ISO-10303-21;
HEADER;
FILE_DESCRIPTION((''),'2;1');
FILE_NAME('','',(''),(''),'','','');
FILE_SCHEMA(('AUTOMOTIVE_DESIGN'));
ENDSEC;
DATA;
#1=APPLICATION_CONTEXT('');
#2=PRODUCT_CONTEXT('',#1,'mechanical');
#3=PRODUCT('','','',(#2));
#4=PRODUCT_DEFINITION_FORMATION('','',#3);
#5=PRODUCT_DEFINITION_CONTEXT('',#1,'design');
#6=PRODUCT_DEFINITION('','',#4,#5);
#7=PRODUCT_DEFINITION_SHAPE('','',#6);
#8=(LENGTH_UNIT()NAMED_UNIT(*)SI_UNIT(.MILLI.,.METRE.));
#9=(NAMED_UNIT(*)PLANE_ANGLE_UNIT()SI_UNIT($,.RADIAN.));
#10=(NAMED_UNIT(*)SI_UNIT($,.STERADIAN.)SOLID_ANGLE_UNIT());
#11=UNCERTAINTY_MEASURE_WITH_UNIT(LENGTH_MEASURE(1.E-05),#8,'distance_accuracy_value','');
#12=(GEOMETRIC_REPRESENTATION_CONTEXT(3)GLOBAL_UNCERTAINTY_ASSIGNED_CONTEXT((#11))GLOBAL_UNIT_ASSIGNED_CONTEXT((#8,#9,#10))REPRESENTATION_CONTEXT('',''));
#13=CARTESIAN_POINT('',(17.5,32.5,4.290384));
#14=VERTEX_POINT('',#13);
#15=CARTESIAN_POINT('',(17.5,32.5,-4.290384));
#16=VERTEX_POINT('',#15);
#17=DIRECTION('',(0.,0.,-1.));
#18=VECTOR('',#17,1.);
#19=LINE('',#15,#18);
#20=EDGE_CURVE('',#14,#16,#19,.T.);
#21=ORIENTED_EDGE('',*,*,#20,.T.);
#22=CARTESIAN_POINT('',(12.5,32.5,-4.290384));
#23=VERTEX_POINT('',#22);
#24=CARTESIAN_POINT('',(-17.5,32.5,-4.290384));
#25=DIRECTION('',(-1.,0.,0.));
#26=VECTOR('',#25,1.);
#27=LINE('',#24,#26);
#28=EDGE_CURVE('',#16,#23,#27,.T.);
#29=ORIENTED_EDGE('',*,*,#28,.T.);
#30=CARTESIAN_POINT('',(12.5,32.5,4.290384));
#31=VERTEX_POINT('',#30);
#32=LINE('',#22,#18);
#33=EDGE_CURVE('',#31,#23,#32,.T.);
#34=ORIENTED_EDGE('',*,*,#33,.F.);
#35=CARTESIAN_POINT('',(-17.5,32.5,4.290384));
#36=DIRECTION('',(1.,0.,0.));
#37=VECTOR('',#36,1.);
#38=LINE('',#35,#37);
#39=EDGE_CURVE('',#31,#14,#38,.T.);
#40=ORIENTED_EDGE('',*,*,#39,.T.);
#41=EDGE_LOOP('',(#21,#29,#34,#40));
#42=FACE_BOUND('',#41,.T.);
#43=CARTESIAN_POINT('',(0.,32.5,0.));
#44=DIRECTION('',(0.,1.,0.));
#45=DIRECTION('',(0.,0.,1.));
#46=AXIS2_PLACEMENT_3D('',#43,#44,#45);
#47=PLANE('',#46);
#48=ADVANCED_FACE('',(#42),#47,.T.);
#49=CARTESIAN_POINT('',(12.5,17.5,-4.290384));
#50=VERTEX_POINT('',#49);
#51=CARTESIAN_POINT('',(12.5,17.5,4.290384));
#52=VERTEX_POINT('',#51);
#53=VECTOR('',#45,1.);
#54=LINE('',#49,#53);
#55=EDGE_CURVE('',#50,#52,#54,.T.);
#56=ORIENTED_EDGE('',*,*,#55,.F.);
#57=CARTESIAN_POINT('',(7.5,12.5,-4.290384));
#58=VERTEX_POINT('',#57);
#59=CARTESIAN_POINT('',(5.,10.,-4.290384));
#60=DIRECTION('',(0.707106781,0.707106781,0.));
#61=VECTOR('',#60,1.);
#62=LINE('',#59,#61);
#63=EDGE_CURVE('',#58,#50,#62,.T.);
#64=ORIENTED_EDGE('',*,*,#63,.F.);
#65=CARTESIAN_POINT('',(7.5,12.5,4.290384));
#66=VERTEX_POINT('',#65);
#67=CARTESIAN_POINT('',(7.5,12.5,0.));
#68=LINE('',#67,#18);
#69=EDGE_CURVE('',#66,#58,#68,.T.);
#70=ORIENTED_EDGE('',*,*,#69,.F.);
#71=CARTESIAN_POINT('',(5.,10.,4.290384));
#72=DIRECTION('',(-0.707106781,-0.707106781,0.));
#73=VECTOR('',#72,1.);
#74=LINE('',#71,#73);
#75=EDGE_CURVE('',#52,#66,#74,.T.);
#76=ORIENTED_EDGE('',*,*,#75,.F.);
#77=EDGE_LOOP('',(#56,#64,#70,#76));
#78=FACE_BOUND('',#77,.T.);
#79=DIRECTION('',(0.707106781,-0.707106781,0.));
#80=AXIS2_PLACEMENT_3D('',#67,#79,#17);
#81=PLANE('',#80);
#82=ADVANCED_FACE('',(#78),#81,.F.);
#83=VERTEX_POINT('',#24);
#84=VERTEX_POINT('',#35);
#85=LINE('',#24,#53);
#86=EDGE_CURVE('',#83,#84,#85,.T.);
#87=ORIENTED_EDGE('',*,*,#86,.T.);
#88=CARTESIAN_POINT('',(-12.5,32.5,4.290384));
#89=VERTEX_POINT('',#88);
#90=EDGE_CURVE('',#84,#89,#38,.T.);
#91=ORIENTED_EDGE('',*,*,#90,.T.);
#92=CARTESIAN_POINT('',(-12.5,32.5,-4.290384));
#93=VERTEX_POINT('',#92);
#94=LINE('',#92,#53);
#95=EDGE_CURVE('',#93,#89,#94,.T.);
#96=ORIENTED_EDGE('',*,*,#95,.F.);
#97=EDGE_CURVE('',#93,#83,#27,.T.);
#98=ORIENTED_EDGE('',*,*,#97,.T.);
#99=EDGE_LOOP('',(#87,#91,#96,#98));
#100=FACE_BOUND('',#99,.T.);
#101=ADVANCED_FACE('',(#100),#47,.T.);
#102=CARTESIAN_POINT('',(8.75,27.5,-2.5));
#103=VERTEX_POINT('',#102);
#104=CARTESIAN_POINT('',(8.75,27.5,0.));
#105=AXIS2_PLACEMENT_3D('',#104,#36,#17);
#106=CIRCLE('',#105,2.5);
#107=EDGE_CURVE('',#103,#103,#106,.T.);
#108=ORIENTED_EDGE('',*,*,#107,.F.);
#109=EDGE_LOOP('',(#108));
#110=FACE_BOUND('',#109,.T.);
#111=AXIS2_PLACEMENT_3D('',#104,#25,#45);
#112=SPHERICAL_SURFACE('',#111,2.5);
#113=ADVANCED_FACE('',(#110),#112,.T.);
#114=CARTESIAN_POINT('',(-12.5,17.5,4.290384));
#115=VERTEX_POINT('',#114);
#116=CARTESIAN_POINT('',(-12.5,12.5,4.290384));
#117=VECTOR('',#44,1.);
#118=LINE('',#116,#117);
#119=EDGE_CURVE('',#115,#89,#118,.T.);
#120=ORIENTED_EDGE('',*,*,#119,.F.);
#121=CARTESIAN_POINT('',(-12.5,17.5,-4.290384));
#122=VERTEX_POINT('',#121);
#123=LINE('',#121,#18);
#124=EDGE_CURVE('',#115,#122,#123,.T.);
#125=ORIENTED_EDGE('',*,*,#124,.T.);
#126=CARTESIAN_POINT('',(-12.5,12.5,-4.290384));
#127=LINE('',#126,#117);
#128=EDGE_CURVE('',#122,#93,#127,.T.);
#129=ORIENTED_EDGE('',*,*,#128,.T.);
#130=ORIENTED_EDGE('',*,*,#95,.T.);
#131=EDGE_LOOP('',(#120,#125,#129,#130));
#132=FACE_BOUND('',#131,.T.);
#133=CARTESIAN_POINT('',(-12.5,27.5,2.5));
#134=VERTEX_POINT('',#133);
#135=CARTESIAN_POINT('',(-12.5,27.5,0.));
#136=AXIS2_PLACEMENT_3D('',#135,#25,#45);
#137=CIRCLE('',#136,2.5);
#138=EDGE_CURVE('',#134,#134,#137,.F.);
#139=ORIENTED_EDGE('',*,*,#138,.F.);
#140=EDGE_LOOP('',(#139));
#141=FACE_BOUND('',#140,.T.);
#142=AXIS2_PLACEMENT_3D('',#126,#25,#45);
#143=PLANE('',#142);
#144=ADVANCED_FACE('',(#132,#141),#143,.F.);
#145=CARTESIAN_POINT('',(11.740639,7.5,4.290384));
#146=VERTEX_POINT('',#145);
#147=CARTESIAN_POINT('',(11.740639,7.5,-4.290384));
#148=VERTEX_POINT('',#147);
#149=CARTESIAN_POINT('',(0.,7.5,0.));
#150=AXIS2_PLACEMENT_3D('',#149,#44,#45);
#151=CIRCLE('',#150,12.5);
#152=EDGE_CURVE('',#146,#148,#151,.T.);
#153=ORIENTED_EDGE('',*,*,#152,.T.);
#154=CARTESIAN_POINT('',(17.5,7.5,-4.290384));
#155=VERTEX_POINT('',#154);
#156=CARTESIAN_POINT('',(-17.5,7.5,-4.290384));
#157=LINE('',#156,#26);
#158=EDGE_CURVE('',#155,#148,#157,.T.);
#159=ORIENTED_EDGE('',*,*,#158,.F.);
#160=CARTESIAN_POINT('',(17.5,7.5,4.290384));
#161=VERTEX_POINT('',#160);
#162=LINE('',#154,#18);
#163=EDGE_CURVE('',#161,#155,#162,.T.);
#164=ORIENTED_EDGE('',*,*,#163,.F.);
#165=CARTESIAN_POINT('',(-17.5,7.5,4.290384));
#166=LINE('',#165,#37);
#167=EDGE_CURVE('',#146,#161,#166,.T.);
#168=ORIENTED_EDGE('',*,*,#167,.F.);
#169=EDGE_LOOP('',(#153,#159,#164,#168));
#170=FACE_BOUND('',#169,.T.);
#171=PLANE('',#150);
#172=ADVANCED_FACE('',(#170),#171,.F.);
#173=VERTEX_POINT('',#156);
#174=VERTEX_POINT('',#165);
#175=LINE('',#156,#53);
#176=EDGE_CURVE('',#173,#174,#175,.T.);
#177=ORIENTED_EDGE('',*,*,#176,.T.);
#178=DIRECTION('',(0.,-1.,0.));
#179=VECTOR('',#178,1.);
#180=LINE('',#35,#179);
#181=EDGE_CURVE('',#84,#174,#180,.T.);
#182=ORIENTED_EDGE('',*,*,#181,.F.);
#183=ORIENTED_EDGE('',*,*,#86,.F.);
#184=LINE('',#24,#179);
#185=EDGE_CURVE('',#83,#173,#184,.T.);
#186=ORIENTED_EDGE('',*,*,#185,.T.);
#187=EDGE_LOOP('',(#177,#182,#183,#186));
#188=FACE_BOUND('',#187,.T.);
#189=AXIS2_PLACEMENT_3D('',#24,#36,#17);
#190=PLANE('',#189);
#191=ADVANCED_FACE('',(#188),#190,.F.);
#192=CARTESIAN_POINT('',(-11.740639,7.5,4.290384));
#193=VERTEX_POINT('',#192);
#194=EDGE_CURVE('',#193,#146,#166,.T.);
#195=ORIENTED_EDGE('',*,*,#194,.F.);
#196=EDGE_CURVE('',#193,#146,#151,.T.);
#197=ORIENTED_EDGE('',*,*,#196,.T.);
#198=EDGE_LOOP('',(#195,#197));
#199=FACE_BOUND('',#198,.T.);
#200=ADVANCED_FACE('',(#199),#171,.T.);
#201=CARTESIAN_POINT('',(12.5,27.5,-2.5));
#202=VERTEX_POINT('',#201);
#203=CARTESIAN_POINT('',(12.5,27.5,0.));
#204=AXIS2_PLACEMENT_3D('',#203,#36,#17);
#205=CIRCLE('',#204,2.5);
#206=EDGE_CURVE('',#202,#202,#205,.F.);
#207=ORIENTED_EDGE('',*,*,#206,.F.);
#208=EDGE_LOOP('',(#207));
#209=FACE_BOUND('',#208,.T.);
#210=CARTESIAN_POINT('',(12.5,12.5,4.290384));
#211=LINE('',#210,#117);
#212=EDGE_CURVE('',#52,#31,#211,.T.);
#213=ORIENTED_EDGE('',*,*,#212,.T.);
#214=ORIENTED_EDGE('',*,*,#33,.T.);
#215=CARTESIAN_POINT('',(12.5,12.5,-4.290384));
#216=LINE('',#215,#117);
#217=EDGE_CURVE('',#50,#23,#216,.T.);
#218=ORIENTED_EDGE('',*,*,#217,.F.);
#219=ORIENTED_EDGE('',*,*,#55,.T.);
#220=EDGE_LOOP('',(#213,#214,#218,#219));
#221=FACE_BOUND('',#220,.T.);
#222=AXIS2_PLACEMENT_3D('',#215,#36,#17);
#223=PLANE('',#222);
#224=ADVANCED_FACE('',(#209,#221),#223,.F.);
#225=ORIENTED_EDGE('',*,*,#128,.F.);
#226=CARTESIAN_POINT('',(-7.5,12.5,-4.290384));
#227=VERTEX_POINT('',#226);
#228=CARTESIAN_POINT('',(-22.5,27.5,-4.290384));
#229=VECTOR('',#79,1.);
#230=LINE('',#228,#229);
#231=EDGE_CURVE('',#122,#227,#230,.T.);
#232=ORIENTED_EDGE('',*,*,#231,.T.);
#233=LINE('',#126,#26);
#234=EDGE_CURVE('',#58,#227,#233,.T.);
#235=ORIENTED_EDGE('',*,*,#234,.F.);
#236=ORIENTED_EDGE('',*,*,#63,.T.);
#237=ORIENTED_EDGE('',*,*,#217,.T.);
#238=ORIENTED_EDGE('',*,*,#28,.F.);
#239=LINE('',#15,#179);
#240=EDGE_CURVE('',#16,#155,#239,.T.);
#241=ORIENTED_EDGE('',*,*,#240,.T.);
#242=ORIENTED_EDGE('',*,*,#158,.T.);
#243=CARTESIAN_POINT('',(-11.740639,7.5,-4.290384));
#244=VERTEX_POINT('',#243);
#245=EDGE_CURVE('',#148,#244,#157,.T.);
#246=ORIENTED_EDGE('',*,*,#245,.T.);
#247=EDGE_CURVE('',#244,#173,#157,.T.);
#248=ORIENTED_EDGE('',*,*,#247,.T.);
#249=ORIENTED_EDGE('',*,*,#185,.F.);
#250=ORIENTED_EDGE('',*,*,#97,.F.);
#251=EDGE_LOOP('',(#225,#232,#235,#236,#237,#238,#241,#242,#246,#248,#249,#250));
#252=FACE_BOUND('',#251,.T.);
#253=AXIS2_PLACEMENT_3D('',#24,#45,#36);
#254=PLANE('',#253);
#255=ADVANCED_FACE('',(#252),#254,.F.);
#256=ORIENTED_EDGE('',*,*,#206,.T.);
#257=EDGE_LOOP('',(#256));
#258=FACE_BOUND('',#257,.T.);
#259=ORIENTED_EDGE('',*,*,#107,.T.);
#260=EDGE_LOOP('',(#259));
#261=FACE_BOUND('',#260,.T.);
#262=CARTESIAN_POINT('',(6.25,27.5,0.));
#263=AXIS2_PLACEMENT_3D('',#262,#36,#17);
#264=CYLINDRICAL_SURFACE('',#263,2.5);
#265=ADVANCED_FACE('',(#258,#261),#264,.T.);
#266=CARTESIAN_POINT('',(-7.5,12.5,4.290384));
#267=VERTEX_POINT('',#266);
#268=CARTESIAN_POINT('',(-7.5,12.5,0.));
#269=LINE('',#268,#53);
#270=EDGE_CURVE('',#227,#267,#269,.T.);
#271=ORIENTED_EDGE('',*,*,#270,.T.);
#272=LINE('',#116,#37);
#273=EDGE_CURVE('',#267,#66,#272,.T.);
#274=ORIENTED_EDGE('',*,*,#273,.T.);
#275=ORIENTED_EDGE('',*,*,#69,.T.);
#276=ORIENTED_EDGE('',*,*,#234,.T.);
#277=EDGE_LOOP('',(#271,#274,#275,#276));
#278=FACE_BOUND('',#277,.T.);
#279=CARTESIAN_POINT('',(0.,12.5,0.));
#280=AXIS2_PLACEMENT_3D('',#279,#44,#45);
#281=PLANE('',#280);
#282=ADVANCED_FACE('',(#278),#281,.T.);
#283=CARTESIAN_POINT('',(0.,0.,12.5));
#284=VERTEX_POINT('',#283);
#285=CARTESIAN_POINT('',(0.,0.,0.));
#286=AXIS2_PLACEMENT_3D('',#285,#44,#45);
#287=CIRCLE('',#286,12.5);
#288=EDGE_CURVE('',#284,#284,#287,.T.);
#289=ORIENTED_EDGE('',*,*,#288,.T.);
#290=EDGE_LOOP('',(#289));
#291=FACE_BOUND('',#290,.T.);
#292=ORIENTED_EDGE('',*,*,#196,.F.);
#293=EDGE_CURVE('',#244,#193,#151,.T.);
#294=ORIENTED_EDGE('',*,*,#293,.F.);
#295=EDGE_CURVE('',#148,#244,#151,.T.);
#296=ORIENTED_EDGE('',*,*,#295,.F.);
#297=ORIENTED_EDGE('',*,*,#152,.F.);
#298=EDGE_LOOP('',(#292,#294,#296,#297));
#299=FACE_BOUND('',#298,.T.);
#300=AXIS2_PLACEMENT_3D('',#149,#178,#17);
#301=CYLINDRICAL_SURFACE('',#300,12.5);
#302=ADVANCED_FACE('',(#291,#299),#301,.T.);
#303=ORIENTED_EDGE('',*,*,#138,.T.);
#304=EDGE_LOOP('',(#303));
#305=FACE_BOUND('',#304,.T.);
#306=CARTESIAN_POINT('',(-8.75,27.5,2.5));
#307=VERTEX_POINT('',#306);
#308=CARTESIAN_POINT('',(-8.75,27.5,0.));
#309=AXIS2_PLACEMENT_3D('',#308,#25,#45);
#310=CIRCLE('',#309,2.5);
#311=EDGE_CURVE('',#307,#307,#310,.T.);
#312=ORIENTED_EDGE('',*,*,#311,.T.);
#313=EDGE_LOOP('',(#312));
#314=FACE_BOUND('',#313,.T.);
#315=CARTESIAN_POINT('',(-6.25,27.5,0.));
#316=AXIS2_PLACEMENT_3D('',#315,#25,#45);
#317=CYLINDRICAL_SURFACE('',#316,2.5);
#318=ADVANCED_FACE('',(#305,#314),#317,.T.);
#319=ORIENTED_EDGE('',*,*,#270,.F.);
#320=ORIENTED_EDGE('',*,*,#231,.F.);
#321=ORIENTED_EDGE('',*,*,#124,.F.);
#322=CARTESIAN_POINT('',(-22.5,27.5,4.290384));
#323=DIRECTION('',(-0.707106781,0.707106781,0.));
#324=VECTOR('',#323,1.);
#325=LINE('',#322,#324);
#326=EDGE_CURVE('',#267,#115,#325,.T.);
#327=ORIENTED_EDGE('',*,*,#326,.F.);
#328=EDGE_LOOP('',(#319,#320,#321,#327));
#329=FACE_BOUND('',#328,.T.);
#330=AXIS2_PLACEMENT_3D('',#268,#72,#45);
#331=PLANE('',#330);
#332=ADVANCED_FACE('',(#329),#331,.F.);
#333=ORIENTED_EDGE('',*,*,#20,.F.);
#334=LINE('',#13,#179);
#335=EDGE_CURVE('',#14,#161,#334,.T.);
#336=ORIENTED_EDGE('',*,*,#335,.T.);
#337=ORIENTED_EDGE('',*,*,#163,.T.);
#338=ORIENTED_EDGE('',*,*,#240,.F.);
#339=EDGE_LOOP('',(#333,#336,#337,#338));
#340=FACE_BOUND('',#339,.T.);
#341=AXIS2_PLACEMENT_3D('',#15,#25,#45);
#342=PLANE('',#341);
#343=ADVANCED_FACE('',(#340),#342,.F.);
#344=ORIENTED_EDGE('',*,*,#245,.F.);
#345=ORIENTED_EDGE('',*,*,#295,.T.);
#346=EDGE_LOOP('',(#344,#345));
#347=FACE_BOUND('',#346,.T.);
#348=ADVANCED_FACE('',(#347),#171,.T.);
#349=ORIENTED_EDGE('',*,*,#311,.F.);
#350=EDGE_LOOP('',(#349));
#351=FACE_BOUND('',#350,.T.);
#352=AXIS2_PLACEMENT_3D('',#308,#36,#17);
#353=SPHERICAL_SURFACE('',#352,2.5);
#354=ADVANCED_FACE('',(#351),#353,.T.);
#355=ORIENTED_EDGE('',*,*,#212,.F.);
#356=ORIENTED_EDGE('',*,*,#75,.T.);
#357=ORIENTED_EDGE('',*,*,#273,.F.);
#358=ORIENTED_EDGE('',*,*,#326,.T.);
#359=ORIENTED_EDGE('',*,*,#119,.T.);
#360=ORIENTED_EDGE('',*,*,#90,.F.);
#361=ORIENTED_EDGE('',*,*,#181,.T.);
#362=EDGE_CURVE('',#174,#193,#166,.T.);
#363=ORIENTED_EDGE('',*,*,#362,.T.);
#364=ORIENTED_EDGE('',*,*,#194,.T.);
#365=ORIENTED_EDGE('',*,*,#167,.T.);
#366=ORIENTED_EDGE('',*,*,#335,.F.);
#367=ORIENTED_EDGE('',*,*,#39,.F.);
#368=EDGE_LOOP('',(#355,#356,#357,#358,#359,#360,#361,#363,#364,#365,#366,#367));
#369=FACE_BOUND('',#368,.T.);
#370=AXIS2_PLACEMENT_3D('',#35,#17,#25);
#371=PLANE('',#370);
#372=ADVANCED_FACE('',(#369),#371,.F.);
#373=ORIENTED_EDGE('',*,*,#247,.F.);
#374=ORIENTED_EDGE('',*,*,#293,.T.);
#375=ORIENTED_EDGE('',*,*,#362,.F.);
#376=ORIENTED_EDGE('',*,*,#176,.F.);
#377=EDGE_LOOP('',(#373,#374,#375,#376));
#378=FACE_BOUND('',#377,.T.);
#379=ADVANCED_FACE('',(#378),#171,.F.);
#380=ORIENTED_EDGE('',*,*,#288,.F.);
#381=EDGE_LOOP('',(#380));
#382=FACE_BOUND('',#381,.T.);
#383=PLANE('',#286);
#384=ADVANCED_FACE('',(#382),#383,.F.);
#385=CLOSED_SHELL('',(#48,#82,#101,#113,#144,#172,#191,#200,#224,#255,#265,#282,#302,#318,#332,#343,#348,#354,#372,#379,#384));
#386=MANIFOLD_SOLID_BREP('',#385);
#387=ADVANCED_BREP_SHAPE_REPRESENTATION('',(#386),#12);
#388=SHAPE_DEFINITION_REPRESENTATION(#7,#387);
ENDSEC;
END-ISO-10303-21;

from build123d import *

# Parameters (mm, degrees)
SKETCH1_R           = 12.5
BOSS_EXTRUDE1_DEPTH = 7.5
SKETCH2_W           = 35
SKETCH2_H           = 8.580767914
BOSS_EXTRUDE2_DEPTH = 25
SKETCH3_W           = 25
SKETCH3_H           = 8.580767914
CUT_EXTRUDE1_DEPTH  = 20
SKETCH4_R           = 2.5
BOSS_EXTRUDE3_DEPTH = 6.25
SKETCH5_R           = 2.5
BOSS_EXTRUDE4_DEPTH = 6.25
CHAMFER1_SIZE       = 5
CHAMFER2_SIZE       = 5
FILLET1_R           = 2.5
FILLET2_R           = 2.5


with BuildPart() as part:
    # Sketch1 → Boss-Extrude1 (new body)
    with BuildSketch(Plane(origin=(0, 0, 0), x_dir=(1, 0, 0), z_dir=(0, 1, 0))):
        Circle(SKETCH1_R)
    extrude(amount=BOSS_EXTRUDE1_DEPTH)

    # Sketch2 → Boss-Extrude2 (add)
    with BuildSketch(Plane(origin=(0, 7.5, 0), x_dir=(1, 0, 0), z_dir=(0, 1, 0))):
        Rectangle(SKETCH2_W, SKETCH2_H)
    extrude(amount=BOSS_EXTRUDE2_DEPTH)

    # Sketch3 → Cut-Extrude1 (cut)
    with BuildSketch(Plane(origin=(0, 32.5, 0), x_dir=(1, 0, 0), z_dir=(0, 1, 0))):
        Rectangle(SKETCH3_W, SKETCH3_H)
    extrude(amount=-CUT_EXTRUDE1_DEPTH, mode=Mode.SUBTRACT)

    # Sketch4 → Boss-Extrude3 (add)
    with BuildSketch(Plane(origin=(-12.5, 0, 0), x_dir=(0, 0, -1), z_dir=(1, 0, 0))):
        with Locations((0, 27.5)):
            Circle(SKETCH4_R)
    extrude(amount=BOSS_EXTRUDE3_DEPTH)

    # Sketch5 → Boss-Extrude4 (add)
    with BuildSketch(Plane.ZY.offset(-12.5)):
        with Locations((0, 27.5)):
            Circle(SKETCH5_R)
    extrude(amount=BOSS_EXTRUDE4_DEPTH)

    # Chamfer1
    chamfer1_edges = [part.edges().sort_by_distance(p)[0] for p in [
        (-12.5, 12.5, 0),
    ]]
    chamfer(chamfer1_edges, length=CHAMFER1_SIZE)

    # Chamfer2
    chamfer2_edges = [part.edges().sort_by_distance(p)[0] for p in [
        (12.5, 12.5, 0),
    ]]
    chamfer(chamfer2_edges, length=CHAMFER2_SIZE)

    # Fillet1
    fillet1_edges = [part.edges().sort_by_distance(p)[0] for p in [
        (-6.25, 27.5, 2.5),
    ]]
    fillet(fillet1_edges, radius=FILLET1_R)

    # Fillet2
    fillet2_edges = [part.edges().sort_by_distance(p)[0] for p in [
        (6.25, 27.5, -2.5),
    ]]
    fillet(fillet2_edges, radius=FILLET2_R)


solid = part.part
